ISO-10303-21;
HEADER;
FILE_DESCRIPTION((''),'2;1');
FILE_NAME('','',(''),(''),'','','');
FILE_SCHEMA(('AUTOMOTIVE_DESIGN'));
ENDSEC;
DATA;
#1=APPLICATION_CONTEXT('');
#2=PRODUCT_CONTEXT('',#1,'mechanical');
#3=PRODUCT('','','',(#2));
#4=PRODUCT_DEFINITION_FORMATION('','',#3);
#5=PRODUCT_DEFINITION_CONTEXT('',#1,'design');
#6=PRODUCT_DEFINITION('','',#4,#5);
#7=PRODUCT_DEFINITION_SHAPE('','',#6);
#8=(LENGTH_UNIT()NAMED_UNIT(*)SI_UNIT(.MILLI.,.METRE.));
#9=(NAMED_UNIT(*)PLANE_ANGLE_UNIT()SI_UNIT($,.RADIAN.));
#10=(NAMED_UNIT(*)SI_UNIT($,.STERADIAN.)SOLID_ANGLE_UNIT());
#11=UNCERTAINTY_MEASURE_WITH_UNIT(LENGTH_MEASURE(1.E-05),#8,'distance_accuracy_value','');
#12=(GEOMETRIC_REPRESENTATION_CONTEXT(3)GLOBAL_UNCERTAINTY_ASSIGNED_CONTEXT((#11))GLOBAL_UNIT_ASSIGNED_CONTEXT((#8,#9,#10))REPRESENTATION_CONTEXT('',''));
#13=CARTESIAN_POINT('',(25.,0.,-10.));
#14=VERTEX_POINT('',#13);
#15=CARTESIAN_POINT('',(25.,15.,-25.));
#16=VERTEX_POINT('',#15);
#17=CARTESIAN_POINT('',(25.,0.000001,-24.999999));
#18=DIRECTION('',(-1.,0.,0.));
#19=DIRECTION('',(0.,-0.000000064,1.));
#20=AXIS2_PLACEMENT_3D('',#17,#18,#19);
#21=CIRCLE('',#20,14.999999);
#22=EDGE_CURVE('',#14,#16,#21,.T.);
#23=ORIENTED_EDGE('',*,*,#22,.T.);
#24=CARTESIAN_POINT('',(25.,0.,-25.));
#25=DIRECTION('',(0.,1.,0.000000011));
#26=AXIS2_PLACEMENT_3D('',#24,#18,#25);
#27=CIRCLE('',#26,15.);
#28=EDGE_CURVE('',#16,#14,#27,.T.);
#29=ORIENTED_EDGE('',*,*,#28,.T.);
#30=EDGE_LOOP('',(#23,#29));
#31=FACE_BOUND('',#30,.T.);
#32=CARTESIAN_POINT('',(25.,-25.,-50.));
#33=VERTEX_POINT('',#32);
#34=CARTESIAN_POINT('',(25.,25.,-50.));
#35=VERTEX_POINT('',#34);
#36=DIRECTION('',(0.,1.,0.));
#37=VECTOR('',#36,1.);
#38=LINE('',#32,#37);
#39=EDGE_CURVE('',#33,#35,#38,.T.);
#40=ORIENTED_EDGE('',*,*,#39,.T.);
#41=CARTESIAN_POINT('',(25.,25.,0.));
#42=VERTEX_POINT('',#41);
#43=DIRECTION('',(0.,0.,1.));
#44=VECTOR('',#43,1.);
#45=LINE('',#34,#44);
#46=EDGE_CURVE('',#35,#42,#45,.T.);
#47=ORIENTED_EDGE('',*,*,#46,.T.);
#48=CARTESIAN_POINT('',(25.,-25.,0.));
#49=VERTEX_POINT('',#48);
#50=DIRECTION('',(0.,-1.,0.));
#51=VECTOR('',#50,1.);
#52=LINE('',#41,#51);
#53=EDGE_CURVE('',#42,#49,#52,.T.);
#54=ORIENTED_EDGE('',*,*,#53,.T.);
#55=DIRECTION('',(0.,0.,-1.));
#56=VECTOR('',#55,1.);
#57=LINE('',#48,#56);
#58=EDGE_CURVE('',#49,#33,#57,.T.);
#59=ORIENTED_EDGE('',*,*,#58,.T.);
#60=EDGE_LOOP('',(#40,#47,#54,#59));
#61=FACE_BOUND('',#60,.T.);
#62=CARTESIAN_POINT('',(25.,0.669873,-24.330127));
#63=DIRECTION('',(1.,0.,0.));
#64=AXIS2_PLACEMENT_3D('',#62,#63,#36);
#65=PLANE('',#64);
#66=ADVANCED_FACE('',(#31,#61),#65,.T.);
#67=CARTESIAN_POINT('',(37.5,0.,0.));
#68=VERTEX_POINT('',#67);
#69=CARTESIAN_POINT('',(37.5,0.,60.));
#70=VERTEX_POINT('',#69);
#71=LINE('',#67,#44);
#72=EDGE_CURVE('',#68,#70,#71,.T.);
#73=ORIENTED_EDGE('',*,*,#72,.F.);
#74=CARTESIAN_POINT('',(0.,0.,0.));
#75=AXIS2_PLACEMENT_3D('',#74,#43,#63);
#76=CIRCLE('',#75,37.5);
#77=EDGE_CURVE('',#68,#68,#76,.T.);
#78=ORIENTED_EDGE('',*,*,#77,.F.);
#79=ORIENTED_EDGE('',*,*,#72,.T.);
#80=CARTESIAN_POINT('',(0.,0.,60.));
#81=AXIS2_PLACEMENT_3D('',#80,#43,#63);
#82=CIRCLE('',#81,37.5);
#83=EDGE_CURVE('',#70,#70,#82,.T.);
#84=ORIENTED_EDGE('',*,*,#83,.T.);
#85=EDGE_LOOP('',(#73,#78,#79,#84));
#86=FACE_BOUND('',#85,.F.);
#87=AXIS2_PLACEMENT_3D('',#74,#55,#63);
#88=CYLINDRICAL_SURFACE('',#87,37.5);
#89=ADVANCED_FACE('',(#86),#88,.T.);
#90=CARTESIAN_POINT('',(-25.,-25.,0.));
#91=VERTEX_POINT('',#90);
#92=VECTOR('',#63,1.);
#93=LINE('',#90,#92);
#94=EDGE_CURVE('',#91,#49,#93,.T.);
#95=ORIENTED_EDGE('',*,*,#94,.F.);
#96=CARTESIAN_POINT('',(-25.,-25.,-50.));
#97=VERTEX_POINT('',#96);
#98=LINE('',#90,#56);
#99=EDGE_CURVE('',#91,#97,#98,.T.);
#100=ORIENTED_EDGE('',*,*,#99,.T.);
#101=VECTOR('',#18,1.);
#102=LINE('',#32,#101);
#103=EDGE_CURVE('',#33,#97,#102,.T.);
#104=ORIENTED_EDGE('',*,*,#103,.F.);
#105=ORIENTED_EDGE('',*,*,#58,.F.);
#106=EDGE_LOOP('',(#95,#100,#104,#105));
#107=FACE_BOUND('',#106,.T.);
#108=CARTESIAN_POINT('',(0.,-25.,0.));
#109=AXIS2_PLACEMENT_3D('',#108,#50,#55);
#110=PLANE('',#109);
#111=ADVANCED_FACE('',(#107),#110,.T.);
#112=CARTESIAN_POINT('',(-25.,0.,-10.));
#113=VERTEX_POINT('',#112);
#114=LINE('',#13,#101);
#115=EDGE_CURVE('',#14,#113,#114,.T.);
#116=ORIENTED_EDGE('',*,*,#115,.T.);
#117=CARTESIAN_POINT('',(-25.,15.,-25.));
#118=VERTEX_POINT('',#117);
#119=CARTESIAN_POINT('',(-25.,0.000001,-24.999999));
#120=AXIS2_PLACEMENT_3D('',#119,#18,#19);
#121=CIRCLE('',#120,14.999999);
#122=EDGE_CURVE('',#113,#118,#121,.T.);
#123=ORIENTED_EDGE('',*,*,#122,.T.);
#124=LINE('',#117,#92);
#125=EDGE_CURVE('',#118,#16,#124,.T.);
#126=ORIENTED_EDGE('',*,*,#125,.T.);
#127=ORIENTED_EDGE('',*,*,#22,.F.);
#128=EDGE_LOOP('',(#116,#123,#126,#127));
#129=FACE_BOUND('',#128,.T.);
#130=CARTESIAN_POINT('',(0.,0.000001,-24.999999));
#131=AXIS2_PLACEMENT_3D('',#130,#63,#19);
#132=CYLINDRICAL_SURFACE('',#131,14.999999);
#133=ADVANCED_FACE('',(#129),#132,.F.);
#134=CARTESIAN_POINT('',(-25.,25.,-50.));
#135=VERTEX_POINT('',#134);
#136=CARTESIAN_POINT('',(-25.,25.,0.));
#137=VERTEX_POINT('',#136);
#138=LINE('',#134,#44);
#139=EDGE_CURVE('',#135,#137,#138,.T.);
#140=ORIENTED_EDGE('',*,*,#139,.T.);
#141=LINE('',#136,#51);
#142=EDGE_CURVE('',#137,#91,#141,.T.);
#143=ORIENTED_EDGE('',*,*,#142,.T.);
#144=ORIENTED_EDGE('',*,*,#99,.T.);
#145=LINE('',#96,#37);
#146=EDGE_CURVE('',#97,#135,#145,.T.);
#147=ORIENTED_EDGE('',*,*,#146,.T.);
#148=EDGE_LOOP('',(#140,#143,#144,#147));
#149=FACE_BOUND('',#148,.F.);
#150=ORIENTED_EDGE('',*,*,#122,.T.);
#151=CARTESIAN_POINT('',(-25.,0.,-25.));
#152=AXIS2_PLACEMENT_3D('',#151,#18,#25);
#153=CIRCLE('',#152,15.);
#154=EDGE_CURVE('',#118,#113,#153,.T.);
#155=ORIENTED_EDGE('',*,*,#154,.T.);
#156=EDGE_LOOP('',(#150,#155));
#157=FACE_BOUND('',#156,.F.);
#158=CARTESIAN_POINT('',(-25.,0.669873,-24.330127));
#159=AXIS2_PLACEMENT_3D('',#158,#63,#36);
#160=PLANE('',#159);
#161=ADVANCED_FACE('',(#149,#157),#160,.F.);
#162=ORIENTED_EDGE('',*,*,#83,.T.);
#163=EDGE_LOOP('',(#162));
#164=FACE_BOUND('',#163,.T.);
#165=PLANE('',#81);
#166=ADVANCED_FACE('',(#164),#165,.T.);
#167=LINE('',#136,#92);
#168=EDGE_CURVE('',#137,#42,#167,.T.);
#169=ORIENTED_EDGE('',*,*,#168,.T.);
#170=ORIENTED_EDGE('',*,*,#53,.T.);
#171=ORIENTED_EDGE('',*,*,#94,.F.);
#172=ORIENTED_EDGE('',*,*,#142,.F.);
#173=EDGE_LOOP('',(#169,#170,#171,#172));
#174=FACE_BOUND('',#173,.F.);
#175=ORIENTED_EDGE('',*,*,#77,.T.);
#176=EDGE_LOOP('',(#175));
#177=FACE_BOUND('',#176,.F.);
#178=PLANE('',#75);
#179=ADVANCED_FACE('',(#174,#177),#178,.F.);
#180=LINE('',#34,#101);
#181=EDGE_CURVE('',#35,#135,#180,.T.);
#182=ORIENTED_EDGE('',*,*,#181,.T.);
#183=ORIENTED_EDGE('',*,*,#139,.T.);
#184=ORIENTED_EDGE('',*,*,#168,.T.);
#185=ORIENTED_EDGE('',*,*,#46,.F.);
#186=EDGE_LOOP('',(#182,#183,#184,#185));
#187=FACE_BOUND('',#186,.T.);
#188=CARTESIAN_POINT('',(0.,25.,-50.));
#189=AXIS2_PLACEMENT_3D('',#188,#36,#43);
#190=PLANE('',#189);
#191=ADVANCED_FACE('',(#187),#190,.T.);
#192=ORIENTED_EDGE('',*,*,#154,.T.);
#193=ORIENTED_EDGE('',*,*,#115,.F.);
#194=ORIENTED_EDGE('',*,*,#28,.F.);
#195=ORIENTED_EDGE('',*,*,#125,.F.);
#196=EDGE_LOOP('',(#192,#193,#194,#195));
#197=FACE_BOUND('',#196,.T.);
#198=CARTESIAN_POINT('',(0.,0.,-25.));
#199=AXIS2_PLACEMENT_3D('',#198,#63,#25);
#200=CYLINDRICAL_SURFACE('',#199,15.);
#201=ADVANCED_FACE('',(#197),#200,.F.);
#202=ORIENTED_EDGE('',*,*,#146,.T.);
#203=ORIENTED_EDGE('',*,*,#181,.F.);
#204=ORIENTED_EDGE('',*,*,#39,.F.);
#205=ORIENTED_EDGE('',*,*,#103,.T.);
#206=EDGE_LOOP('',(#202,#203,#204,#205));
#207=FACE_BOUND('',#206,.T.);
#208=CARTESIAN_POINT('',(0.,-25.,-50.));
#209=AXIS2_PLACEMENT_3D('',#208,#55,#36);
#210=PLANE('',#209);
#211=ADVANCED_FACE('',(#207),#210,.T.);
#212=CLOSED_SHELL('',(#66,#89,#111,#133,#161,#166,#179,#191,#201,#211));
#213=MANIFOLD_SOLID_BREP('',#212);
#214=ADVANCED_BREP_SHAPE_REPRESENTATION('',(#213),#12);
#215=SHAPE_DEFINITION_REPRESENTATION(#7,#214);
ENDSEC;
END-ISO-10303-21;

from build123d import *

# Parameters (mm, degrees)
F0_R          = 37.5
F1_DEPTH      = 60
F3_DEPTH      = 25
F3_DEPTH_BACK = 25


with BuildPart() as f1:
    # F0 (on Top) → F1 (new body)
    with BuildSketch(Plane.XY):
        Circle(F0_R)
    extrude(amount=F1_DEPTH)

    # F2 (on Right) → F3 (join, two sides)
    with BuildSketch(Plane.YZ) as f3_sk:
        with BuildLine():
            ThreePointArc((15, -25), (10.606602, -14.393398), (0, -10))
            ThreePointArc((0, -10), (-10.606602, -35.606602), (15, -25))
        make_face()
        Polygon((25, 0), (0, 0), (-25, 0), (-25, -50), (25, -50), align=None)
        with BuildLine():
            ThreePointArc((15, -25), (-10.606602, -35.606602), (0, -10))
            ThreePointArc((0, -10), (10.606602, -14.393398), (15, -25))
        make_face(mode=Mode.SUBTRACT)
    extrude(amount=F3_DEPTH)
    extrude(f3_sk.sketch, amount=-F3_DEPTH_BACK)


solid = f1.part
